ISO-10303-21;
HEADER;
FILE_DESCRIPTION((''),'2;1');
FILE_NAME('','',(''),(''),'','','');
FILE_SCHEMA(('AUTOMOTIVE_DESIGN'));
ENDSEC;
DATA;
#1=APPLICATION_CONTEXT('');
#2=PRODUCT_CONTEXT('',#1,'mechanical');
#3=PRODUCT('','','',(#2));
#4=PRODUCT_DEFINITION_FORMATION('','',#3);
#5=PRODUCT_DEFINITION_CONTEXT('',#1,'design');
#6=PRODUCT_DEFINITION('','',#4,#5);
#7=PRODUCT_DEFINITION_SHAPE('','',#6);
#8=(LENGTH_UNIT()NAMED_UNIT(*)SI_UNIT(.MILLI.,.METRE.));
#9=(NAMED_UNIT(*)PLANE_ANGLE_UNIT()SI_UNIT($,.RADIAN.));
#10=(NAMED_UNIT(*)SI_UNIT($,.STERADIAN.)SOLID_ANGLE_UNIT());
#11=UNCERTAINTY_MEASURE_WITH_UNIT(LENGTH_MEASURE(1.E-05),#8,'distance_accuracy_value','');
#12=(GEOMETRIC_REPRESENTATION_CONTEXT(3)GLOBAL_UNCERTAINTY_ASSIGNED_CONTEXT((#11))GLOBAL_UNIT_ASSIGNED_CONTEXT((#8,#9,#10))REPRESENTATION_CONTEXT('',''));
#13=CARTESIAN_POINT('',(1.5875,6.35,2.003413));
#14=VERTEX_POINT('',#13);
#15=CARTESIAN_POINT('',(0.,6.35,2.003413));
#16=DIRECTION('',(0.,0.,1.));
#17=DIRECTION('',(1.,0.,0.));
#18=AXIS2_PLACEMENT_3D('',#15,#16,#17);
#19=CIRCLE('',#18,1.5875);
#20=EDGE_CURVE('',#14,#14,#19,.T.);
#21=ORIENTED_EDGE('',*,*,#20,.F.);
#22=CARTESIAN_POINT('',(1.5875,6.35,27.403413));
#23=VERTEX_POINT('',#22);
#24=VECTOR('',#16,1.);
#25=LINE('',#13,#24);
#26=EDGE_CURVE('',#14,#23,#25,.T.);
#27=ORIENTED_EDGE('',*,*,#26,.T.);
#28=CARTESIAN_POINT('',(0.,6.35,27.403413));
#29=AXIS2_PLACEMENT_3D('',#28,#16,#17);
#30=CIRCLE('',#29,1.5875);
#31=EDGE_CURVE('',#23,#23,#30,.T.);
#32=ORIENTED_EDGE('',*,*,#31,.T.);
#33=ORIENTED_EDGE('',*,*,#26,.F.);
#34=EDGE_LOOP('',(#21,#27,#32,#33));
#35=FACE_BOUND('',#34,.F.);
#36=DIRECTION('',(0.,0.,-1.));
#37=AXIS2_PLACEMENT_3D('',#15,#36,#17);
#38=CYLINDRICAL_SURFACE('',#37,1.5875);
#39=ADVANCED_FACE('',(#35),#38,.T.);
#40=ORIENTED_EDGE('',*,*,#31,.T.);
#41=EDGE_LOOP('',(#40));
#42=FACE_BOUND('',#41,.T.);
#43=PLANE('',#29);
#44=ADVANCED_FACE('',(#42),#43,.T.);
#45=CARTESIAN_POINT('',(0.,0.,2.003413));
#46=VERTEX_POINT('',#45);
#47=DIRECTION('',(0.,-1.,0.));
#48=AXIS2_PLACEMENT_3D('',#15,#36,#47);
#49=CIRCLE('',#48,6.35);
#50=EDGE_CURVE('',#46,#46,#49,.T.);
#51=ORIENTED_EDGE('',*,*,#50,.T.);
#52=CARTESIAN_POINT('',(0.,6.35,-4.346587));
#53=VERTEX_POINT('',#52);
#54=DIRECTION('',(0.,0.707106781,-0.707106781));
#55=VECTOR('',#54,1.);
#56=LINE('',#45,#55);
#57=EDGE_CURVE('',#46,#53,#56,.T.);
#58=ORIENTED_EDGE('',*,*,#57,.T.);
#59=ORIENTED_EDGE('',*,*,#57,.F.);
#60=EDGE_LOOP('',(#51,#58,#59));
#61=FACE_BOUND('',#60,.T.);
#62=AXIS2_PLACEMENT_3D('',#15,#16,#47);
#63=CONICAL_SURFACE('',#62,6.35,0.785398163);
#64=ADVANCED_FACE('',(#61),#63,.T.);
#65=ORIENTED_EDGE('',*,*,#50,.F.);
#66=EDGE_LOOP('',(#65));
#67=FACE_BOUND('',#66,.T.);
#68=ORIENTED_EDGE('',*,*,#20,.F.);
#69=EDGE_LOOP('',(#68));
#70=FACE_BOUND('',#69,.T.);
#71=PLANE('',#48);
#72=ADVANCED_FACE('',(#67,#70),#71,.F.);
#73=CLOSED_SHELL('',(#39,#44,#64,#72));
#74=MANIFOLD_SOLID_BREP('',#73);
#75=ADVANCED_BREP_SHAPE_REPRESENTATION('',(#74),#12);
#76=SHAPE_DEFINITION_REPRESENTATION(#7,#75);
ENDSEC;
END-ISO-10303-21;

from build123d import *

# Parameters (mm, degrees)
F2_R     = 1.5875
F3_DEPTH = 25.4


with BuildPart() as f1:
    # F0 (on Right) → F1 (revolve)
    with BuildSketch(Plane.YZ):
        Polygon((6.35, -4.346587), (6.35, 2.003413), (0, 2.003413), align=None)
    revolve(axis=Axis((0, 6.35, -1.171587), (0, 0, -1)))

    # F2 (on face) → F3 (join)
    with BuildSketch(Plane.XY.offset(2.003413)):
        with Locations((0, 6.35)):
            Circle(F2_R)
    extrude(amount=F3_DEPTH)


solid = f1.part
